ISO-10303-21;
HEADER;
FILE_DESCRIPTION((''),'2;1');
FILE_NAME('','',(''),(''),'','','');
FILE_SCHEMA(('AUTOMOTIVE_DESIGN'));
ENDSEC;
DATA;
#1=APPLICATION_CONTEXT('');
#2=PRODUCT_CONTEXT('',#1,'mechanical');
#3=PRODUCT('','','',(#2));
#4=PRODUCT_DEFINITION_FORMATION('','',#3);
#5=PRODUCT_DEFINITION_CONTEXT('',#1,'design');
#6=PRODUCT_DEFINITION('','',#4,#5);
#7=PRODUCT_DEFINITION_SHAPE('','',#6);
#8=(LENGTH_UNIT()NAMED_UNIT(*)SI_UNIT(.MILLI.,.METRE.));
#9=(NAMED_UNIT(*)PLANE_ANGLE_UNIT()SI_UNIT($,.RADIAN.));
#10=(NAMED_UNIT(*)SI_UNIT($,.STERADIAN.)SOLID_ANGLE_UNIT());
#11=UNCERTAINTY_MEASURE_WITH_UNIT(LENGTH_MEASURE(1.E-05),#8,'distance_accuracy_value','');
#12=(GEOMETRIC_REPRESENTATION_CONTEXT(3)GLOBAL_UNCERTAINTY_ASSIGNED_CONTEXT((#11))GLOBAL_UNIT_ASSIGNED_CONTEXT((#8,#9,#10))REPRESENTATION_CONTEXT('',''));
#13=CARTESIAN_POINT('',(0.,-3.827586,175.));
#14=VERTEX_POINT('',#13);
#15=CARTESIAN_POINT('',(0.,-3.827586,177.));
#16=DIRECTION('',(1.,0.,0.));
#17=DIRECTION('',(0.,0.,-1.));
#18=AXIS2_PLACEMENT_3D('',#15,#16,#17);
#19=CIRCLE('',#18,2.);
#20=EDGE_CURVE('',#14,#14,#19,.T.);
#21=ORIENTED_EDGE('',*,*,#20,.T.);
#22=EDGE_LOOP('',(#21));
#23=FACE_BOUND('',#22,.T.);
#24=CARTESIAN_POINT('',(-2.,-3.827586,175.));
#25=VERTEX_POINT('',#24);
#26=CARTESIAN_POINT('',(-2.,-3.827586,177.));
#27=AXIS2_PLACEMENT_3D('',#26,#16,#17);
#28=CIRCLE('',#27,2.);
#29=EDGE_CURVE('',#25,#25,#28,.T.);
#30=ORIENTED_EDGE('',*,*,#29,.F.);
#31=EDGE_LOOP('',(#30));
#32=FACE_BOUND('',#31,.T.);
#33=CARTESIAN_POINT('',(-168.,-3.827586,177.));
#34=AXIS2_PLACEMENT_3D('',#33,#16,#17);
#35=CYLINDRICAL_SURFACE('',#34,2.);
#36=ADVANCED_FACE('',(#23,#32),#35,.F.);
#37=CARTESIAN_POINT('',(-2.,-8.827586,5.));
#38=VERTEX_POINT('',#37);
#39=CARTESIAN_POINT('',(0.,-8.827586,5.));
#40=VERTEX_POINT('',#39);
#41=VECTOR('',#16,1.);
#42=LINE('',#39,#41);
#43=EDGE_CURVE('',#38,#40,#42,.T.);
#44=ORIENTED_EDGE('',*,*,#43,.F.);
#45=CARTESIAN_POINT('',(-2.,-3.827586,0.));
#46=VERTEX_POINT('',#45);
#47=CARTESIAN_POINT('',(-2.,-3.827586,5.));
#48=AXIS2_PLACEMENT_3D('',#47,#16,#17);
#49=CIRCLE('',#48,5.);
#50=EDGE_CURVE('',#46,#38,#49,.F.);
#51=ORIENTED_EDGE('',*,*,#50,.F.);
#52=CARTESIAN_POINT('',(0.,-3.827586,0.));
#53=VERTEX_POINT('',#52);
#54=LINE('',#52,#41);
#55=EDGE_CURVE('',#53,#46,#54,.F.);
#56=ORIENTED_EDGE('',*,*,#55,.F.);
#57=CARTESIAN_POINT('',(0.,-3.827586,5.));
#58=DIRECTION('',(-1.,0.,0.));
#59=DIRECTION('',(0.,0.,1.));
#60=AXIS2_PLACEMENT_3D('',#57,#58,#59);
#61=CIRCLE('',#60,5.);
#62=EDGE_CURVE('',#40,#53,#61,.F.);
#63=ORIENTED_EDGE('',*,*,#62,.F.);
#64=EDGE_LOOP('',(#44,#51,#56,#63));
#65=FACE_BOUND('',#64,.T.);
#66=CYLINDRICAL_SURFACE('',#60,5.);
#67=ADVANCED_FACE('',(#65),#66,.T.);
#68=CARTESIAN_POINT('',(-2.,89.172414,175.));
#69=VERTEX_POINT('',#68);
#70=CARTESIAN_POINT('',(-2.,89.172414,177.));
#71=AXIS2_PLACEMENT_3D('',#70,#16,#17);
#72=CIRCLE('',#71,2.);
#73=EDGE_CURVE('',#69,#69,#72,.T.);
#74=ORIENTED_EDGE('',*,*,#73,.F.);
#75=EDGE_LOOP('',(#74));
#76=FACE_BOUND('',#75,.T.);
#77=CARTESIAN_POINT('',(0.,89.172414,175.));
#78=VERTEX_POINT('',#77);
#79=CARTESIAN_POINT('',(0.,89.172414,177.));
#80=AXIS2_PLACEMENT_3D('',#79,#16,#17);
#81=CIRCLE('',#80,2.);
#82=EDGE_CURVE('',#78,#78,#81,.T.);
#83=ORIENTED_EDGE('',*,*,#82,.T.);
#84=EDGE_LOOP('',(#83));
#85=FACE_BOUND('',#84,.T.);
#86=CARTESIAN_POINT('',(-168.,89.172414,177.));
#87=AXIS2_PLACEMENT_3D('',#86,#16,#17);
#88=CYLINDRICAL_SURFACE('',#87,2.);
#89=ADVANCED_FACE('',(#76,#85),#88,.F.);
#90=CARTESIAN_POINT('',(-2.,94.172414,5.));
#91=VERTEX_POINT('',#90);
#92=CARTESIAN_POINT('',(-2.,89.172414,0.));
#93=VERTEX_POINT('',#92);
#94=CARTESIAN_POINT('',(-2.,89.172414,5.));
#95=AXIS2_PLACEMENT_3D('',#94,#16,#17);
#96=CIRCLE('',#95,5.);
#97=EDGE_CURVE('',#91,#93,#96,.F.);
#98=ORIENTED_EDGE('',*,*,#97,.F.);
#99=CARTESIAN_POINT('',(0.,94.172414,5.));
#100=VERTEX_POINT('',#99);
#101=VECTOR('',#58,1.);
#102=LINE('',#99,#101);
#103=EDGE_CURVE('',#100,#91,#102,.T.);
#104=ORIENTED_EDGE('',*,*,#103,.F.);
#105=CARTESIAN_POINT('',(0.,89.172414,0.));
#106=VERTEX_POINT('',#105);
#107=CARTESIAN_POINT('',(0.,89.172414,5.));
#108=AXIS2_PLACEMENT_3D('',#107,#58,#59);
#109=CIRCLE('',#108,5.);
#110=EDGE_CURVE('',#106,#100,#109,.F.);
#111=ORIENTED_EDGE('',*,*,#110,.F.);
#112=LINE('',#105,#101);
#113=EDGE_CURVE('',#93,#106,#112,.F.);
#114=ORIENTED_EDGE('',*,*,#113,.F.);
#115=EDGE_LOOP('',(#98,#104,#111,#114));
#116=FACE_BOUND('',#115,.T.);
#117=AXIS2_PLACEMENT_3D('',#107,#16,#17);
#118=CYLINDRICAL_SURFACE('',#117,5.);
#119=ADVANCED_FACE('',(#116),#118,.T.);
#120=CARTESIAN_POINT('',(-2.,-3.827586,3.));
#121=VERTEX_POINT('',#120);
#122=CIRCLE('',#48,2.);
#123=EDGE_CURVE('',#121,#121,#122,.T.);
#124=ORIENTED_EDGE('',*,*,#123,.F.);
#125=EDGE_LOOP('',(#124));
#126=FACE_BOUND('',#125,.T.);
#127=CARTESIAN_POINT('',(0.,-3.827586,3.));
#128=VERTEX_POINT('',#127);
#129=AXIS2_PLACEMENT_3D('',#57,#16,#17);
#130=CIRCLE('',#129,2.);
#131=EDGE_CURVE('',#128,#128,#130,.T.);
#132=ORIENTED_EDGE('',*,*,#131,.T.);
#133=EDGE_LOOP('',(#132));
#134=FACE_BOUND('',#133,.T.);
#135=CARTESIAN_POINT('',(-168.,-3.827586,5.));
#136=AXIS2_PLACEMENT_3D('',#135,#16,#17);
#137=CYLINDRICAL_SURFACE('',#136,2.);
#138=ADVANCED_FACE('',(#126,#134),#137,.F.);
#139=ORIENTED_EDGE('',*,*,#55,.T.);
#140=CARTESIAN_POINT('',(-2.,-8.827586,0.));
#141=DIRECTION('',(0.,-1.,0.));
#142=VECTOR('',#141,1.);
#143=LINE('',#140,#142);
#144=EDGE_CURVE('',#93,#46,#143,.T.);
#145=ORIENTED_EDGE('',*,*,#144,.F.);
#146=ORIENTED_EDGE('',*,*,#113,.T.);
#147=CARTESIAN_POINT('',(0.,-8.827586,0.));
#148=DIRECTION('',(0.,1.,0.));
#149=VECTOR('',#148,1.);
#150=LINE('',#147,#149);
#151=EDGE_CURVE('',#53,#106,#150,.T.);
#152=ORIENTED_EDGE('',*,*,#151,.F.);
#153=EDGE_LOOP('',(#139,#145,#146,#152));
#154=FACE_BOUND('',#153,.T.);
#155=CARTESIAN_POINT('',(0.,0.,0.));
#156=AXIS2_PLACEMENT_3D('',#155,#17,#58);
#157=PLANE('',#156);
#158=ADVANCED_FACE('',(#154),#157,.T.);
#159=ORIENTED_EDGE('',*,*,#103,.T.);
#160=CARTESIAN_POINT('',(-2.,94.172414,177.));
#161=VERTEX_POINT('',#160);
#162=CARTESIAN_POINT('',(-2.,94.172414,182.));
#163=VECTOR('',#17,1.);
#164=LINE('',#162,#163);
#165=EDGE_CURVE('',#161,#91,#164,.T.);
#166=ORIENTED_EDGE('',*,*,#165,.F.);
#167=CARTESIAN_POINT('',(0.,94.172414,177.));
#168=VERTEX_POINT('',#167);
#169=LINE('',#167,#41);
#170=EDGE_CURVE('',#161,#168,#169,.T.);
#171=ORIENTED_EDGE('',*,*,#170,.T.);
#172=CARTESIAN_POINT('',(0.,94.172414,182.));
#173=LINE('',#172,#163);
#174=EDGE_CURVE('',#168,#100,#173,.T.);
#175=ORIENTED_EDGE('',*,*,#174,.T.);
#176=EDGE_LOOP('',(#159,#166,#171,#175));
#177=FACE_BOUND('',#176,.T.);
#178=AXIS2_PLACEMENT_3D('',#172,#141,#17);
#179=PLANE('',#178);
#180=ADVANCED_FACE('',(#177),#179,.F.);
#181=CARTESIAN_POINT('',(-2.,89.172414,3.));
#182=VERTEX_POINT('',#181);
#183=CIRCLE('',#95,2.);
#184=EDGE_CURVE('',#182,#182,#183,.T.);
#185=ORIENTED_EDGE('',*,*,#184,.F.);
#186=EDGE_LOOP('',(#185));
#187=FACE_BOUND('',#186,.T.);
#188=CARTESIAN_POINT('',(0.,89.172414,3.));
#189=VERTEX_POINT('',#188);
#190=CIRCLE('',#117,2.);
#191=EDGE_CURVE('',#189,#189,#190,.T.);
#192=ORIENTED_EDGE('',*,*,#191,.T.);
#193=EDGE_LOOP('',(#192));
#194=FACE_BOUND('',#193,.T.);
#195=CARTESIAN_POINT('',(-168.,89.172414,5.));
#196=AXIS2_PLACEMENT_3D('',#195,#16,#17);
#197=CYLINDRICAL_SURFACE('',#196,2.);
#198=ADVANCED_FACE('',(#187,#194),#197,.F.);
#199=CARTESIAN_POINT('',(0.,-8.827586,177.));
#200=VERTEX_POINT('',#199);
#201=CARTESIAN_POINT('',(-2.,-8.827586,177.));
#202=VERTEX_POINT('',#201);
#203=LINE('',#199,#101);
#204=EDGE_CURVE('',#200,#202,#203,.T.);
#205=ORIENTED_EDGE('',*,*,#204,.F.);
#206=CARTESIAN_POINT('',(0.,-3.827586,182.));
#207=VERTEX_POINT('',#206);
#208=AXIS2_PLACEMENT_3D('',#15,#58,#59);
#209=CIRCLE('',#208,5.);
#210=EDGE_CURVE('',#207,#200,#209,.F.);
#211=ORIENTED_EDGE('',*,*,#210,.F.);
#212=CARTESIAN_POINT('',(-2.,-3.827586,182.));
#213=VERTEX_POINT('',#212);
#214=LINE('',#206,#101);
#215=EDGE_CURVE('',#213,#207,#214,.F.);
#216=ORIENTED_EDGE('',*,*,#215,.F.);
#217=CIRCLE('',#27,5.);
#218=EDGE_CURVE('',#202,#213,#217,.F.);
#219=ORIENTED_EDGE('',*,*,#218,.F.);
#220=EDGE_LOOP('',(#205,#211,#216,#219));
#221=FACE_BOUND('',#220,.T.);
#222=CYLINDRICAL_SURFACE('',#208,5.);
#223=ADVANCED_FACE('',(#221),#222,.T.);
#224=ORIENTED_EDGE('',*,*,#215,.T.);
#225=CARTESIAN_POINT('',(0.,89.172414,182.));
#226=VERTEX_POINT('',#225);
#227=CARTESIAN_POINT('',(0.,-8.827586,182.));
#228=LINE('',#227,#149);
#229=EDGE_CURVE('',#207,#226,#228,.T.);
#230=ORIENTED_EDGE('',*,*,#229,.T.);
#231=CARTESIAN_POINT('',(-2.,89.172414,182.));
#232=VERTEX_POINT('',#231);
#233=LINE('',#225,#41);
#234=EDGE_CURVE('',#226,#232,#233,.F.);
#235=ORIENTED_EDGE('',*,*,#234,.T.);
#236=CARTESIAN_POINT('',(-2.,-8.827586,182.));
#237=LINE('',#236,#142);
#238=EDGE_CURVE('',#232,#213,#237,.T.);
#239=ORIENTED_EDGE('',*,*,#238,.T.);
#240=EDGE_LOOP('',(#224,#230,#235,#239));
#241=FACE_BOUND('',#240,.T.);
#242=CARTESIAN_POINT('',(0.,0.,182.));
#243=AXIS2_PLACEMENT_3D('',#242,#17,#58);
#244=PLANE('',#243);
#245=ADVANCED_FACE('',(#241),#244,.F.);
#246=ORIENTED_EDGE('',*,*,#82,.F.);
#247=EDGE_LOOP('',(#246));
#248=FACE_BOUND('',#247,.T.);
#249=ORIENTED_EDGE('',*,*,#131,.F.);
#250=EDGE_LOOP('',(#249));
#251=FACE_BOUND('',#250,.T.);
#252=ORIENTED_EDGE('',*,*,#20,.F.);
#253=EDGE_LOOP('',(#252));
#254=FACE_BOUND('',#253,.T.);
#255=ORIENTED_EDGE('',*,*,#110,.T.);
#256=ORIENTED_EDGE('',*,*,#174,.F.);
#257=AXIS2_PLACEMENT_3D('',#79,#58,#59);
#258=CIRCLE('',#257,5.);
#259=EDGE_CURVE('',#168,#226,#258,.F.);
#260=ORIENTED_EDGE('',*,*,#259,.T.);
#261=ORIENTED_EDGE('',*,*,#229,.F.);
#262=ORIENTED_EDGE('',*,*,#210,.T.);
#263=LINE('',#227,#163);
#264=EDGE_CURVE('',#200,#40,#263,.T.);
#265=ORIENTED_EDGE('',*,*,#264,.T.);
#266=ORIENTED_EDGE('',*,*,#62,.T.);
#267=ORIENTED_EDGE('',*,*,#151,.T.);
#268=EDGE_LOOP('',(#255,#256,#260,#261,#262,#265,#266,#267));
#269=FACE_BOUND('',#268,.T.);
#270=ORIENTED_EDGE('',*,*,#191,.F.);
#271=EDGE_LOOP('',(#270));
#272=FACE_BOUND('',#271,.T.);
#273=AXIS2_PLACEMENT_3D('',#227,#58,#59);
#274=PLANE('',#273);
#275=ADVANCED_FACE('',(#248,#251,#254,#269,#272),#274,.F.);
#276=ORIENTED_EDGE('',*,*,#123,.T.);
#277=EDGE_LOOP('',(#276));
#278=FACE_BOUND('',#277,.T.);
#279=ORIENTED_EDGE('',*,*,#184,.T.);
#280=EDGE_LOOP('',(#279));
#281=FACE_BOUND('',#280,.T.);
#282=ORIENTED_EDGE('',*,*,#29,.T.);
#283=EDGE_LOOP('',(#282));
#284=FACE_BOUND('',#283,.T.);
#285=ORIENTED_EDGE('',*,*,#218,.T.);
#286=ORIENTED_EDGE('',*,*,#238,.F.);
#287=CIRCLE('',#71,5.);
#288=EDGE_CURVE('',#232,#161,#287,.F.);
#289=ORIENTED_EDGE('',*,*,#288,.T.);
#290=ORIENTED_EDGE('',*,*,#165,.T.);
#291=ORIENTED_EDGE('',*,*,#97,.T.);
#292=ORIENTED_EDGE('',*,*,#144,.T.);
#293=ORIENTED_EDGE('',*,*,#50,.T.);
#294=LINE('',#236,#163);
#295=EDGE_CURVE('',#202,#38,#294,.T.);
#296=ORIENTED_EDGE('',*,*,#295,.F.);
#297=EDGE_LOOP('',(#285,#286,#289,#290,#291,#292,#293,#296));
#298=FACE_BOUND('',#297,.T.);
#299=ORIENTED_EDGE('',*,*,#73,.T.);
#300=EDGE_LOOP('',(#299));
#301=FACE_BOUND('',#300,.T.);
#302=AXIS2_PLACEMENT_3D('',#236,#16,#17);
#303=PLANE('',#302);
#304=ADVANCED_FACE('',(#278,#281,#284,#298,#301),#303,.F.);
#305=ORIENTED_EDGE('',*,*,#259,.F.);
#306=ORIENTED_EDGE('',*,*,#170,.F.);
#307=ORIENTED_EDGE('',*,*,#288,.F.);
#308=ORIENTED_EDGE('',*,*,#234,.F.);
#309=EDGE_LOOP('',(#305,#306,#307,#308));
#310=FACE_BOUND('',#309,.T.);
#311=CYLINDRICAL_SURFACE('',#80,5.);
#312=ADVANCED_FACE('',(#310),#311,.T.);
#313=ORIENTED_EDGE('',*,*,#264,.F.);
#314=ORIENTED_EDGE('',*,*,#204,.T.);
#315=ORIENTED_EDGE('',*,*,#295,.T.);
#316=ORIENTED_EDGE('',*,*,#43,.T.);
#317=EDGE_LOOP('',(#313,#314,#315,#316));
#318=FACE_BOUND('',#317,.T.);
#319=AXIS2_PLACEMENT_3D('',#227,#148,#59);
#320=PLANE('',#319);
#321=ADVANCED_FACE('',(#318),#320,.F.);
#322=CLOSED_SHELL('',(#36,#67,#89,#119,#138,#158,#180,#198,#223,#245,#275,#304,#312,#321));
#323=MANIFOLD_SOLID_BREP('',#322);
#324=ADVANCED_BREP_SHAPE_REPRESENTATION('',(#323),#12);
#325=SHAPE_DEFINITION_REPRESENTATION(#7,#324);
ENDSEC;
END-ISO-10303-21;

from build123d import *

# Parameters (mm, degrees)
SKETCH1_W           = 103
SKETCH1_H           = 2
BOSS_EXTRUDE1_DEPTH = 182
SKETCH2_R           = 2
CUT_EXTRUDE1_DEPTH  = 168
FILLET1_R           = 5
FILLET2_R           = 5
FILLET3_R           = 5
FILLET4_R           = 5


with BuildPart() as part:
    # Sketch1 → Boss-Extrude1 (new body)
    with BuildSketch(Plane(origin=(0, 0, 0), x_dir=(0, 1, 0), z_dir=(0, 0, 1))):
        with Locations((42.672413793, 1)):
            Rectangle(SKETCH1_W, SKETCH1_H)
    extrude(amount=BOSS_EXTRUDE1_DEPTH)

    # Sketch2 → Cut-Extrude1 (cut)
    with BuildSketch(Plane.YZ):
        with Locations((-3.827586207, 177)):
            Circle(SKETCH2_R)
        with Locations((89.172413793, 177)):
            Circle(SKETCH2_R)
        with Locations((89.172413793, 5)):
            Circle(SKETCH2_R)
        with Locations((-3.827586207, 5)):
            Circle(SKETCH2_R)
    extrude(amount=-CUT_EXTRUDE1_DEPTH, mode=Mode.SUBTRACT)

    # Fillet1
    fillet1_edges = [part.edges().sort_by_distance(p)[0] for p in [
        (-1, -8.827586207, 182),
    ]]
    fillet(fillet1_edges, radius=FILLET1_R)

    # Fillet2
    fillet2_edges = [part.edges().sort_by_distance(p)[0] for p in [
        (-1, 94.172413793, 182),
    ]]
    fillet(fillet2_edges, radius=FILLET2_R)

    # Fillet3
    fillet3_edges = [part.edges().sort_by_distance(p)[0] for p in [
        (-1, 94.172413793, 0),
    ]]
    fillet(fillet3_edges, radius=FILLET3_R)

    # Fillet4
    fillet4_edges = [part.edges().sort_by_distance(p)[0] for p in [
        (-1, -8.827586207, 0),
    ]]
    fillet(fillet4_edges, radius=FILLET4_R)


solid = part.part
